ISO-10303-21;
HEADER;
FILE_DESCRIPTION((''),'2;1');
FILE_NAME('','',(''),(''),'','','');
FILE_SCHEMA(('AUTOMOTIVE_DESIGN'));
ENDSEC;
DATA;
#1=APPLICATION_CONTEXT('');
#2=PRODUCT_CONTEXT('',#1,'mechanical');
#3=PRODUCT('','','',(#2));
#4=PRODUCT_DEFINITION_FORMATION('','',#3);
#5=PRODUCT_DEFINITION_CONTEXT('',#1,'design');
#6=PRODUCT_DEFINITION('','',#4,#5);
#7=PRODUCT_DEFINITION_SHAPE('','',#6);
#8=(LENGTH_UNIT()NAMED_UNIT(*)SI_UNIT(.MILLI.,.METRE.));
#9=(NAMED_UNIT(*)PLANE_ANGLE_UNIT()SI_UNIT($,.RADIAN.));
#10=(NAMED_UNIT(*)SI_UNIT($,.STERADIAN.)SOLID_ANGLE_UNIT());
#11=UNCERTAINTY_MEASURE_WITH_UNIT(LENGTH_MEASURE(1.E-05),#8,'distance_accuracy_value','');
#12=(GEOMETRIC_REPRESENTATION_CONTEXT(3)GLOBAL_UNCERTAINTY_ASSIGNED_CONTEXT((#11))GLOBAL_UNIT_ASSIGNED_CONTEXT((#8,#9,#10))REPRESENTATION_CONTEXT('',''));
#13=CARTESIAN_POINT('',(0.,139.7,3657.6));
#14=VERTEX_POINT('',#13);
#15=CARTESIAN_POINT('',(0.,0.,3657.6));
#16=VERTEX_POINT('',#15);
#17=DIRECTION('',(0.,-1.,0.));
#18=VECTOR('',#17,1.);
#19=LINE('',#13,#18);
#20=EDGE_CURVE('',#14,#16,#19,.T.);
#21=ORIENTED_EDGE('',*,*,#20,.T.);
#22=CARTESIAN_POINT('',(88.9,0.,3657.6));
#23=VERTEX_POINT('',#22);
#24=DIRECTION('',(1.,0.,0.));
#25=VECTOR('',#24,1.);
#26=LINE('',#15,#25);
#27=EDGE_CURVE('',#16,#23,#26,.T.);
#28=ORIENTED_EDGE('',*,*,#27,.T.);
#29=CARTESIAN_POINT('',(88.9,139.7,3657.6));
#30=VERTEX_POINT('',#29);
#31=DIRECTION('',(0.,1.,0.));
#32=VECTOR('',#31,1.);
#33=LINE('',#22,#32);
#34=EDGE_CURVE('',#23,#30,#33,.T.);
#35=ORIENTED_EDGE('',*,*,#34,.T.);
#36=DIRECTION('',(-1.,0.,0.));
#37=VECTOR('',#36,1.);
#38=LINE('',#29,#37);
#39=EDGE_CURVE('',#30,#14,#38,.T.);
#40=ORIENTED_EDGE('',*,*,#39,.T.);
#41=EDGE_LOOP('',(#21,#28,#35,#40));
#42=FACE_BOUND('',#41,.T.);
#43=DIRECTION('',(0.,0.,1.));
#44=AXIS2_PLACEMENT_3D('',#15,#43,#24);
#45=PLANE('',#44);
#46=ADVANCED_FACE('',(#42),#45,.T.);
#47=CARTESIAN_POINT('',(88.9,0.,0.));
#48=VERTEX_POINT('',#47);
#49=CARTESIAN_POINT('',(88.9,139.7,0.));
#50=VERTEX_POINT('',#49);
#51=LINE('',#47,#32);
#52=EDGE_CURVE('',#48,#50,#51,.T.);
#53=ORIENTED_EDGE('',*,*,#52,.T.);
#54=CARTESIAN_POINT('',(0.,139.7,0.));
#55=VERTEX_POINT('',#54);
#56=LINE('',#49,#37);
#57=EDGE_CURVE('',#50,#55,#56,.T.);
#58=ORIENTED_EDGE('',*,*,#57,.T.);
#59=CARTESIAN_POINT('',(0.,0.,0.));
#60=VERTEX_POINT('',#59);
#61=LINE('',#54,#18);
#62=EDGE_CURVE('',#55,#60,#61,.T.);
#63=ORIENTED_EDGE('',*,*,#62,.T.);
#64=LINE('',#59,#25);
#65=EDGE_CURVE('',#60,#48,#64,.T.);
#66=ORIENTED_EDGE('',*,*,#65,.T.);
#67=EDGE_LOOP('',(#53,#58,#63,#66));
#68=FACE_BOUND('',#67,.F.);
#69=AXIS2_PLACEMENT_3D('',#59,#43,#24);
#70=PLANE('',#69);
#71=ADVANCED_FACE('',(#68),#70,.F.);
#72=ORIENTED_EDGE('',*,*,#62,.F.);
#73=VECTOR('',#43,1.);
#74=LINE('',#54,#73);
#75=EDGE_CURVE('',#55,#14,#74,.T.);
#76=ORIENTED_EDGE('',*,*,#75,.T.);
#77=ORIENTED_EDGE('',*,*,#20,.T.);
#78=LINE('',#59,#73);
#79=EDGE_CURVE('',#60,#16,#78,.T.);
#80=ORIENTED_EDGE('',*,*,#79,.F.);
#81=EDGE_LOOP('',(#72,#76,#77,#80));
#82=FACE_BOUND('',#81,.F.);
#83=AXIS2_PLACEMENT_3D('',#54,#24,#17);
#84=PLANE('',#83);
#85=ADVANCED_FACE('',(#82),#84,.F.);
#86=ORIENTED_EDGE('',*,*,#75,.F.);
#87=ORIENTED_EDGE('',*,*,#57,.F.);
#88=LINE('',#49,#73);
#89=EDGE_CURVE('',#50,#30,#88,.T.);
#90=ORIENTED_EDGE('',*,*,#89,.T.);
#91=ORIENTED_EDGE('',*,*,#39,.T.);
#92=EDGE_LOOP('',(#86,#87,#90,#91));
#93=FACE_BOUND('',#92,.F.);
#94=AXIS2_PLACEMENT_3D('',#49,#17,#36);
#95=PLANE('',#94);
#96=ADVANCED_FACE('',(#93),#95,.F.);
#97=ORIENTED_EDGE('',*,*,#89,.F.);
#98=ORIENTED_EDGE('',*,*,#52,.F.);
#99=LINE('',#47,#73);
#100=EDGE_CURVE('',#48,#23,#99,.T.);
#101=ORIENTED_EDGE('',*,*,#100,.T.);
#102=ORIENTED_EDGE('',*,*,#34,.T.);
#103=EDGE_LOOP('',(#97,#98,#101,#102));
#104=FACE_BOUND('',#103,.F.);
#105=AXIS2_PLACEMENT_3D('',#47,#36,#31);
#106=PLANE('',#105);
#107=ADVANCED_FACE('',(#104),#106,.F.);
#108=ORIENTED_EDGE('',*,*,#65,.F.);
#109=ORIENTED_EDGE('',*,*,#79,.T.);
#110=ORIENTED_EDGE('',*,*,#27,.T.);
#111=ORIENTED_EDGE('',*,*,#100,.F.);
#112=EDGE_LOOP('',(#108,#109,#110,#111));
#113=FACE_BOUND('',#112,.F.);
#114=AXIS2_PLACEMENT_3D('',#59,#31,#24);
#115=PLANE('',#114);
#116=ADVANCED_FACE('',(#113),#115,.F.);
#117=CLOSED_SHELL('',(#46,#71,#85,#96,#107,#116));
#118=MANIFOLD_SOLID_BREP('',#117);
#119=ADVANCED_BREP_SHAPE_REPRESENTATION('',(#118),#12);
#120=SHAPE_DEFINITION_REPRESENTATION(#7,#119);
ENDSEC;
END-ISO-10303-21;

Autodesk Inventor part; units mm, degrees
ref_plane "YZ Plane" through (0, 0, 0) normal (1, 0, 0) x (0, 1, 0)
ref_plane "XZ Plane" through (0, 0, 0) normal (0, 1, 0) x (-1, 0, 0)
ref_plane "XY Plane" through (0, 0, 0) normal (0, 0, 1) x (1, 0, 0)
sketch "Sketch1" plane through (0, 0, 0) normal (0, 0, 1) x (1, 0, 0)
  line L0 (0, 0) -> (88.9, 0)
  line L1 (88.9, 0) -> (88.9, 139.7)
  line L2 (88.9, 139.7) -> (0, 139.7)
  line L3 (0, 139.7) -> (0, 0)
  dimension "d1" = 139.7
  dimension "d2" = 88.9
extrude "Extrusion1" add sketch "Sketch1" along normal blind 3657.6
properties part number "Beam" material "Wood (Birch)"
